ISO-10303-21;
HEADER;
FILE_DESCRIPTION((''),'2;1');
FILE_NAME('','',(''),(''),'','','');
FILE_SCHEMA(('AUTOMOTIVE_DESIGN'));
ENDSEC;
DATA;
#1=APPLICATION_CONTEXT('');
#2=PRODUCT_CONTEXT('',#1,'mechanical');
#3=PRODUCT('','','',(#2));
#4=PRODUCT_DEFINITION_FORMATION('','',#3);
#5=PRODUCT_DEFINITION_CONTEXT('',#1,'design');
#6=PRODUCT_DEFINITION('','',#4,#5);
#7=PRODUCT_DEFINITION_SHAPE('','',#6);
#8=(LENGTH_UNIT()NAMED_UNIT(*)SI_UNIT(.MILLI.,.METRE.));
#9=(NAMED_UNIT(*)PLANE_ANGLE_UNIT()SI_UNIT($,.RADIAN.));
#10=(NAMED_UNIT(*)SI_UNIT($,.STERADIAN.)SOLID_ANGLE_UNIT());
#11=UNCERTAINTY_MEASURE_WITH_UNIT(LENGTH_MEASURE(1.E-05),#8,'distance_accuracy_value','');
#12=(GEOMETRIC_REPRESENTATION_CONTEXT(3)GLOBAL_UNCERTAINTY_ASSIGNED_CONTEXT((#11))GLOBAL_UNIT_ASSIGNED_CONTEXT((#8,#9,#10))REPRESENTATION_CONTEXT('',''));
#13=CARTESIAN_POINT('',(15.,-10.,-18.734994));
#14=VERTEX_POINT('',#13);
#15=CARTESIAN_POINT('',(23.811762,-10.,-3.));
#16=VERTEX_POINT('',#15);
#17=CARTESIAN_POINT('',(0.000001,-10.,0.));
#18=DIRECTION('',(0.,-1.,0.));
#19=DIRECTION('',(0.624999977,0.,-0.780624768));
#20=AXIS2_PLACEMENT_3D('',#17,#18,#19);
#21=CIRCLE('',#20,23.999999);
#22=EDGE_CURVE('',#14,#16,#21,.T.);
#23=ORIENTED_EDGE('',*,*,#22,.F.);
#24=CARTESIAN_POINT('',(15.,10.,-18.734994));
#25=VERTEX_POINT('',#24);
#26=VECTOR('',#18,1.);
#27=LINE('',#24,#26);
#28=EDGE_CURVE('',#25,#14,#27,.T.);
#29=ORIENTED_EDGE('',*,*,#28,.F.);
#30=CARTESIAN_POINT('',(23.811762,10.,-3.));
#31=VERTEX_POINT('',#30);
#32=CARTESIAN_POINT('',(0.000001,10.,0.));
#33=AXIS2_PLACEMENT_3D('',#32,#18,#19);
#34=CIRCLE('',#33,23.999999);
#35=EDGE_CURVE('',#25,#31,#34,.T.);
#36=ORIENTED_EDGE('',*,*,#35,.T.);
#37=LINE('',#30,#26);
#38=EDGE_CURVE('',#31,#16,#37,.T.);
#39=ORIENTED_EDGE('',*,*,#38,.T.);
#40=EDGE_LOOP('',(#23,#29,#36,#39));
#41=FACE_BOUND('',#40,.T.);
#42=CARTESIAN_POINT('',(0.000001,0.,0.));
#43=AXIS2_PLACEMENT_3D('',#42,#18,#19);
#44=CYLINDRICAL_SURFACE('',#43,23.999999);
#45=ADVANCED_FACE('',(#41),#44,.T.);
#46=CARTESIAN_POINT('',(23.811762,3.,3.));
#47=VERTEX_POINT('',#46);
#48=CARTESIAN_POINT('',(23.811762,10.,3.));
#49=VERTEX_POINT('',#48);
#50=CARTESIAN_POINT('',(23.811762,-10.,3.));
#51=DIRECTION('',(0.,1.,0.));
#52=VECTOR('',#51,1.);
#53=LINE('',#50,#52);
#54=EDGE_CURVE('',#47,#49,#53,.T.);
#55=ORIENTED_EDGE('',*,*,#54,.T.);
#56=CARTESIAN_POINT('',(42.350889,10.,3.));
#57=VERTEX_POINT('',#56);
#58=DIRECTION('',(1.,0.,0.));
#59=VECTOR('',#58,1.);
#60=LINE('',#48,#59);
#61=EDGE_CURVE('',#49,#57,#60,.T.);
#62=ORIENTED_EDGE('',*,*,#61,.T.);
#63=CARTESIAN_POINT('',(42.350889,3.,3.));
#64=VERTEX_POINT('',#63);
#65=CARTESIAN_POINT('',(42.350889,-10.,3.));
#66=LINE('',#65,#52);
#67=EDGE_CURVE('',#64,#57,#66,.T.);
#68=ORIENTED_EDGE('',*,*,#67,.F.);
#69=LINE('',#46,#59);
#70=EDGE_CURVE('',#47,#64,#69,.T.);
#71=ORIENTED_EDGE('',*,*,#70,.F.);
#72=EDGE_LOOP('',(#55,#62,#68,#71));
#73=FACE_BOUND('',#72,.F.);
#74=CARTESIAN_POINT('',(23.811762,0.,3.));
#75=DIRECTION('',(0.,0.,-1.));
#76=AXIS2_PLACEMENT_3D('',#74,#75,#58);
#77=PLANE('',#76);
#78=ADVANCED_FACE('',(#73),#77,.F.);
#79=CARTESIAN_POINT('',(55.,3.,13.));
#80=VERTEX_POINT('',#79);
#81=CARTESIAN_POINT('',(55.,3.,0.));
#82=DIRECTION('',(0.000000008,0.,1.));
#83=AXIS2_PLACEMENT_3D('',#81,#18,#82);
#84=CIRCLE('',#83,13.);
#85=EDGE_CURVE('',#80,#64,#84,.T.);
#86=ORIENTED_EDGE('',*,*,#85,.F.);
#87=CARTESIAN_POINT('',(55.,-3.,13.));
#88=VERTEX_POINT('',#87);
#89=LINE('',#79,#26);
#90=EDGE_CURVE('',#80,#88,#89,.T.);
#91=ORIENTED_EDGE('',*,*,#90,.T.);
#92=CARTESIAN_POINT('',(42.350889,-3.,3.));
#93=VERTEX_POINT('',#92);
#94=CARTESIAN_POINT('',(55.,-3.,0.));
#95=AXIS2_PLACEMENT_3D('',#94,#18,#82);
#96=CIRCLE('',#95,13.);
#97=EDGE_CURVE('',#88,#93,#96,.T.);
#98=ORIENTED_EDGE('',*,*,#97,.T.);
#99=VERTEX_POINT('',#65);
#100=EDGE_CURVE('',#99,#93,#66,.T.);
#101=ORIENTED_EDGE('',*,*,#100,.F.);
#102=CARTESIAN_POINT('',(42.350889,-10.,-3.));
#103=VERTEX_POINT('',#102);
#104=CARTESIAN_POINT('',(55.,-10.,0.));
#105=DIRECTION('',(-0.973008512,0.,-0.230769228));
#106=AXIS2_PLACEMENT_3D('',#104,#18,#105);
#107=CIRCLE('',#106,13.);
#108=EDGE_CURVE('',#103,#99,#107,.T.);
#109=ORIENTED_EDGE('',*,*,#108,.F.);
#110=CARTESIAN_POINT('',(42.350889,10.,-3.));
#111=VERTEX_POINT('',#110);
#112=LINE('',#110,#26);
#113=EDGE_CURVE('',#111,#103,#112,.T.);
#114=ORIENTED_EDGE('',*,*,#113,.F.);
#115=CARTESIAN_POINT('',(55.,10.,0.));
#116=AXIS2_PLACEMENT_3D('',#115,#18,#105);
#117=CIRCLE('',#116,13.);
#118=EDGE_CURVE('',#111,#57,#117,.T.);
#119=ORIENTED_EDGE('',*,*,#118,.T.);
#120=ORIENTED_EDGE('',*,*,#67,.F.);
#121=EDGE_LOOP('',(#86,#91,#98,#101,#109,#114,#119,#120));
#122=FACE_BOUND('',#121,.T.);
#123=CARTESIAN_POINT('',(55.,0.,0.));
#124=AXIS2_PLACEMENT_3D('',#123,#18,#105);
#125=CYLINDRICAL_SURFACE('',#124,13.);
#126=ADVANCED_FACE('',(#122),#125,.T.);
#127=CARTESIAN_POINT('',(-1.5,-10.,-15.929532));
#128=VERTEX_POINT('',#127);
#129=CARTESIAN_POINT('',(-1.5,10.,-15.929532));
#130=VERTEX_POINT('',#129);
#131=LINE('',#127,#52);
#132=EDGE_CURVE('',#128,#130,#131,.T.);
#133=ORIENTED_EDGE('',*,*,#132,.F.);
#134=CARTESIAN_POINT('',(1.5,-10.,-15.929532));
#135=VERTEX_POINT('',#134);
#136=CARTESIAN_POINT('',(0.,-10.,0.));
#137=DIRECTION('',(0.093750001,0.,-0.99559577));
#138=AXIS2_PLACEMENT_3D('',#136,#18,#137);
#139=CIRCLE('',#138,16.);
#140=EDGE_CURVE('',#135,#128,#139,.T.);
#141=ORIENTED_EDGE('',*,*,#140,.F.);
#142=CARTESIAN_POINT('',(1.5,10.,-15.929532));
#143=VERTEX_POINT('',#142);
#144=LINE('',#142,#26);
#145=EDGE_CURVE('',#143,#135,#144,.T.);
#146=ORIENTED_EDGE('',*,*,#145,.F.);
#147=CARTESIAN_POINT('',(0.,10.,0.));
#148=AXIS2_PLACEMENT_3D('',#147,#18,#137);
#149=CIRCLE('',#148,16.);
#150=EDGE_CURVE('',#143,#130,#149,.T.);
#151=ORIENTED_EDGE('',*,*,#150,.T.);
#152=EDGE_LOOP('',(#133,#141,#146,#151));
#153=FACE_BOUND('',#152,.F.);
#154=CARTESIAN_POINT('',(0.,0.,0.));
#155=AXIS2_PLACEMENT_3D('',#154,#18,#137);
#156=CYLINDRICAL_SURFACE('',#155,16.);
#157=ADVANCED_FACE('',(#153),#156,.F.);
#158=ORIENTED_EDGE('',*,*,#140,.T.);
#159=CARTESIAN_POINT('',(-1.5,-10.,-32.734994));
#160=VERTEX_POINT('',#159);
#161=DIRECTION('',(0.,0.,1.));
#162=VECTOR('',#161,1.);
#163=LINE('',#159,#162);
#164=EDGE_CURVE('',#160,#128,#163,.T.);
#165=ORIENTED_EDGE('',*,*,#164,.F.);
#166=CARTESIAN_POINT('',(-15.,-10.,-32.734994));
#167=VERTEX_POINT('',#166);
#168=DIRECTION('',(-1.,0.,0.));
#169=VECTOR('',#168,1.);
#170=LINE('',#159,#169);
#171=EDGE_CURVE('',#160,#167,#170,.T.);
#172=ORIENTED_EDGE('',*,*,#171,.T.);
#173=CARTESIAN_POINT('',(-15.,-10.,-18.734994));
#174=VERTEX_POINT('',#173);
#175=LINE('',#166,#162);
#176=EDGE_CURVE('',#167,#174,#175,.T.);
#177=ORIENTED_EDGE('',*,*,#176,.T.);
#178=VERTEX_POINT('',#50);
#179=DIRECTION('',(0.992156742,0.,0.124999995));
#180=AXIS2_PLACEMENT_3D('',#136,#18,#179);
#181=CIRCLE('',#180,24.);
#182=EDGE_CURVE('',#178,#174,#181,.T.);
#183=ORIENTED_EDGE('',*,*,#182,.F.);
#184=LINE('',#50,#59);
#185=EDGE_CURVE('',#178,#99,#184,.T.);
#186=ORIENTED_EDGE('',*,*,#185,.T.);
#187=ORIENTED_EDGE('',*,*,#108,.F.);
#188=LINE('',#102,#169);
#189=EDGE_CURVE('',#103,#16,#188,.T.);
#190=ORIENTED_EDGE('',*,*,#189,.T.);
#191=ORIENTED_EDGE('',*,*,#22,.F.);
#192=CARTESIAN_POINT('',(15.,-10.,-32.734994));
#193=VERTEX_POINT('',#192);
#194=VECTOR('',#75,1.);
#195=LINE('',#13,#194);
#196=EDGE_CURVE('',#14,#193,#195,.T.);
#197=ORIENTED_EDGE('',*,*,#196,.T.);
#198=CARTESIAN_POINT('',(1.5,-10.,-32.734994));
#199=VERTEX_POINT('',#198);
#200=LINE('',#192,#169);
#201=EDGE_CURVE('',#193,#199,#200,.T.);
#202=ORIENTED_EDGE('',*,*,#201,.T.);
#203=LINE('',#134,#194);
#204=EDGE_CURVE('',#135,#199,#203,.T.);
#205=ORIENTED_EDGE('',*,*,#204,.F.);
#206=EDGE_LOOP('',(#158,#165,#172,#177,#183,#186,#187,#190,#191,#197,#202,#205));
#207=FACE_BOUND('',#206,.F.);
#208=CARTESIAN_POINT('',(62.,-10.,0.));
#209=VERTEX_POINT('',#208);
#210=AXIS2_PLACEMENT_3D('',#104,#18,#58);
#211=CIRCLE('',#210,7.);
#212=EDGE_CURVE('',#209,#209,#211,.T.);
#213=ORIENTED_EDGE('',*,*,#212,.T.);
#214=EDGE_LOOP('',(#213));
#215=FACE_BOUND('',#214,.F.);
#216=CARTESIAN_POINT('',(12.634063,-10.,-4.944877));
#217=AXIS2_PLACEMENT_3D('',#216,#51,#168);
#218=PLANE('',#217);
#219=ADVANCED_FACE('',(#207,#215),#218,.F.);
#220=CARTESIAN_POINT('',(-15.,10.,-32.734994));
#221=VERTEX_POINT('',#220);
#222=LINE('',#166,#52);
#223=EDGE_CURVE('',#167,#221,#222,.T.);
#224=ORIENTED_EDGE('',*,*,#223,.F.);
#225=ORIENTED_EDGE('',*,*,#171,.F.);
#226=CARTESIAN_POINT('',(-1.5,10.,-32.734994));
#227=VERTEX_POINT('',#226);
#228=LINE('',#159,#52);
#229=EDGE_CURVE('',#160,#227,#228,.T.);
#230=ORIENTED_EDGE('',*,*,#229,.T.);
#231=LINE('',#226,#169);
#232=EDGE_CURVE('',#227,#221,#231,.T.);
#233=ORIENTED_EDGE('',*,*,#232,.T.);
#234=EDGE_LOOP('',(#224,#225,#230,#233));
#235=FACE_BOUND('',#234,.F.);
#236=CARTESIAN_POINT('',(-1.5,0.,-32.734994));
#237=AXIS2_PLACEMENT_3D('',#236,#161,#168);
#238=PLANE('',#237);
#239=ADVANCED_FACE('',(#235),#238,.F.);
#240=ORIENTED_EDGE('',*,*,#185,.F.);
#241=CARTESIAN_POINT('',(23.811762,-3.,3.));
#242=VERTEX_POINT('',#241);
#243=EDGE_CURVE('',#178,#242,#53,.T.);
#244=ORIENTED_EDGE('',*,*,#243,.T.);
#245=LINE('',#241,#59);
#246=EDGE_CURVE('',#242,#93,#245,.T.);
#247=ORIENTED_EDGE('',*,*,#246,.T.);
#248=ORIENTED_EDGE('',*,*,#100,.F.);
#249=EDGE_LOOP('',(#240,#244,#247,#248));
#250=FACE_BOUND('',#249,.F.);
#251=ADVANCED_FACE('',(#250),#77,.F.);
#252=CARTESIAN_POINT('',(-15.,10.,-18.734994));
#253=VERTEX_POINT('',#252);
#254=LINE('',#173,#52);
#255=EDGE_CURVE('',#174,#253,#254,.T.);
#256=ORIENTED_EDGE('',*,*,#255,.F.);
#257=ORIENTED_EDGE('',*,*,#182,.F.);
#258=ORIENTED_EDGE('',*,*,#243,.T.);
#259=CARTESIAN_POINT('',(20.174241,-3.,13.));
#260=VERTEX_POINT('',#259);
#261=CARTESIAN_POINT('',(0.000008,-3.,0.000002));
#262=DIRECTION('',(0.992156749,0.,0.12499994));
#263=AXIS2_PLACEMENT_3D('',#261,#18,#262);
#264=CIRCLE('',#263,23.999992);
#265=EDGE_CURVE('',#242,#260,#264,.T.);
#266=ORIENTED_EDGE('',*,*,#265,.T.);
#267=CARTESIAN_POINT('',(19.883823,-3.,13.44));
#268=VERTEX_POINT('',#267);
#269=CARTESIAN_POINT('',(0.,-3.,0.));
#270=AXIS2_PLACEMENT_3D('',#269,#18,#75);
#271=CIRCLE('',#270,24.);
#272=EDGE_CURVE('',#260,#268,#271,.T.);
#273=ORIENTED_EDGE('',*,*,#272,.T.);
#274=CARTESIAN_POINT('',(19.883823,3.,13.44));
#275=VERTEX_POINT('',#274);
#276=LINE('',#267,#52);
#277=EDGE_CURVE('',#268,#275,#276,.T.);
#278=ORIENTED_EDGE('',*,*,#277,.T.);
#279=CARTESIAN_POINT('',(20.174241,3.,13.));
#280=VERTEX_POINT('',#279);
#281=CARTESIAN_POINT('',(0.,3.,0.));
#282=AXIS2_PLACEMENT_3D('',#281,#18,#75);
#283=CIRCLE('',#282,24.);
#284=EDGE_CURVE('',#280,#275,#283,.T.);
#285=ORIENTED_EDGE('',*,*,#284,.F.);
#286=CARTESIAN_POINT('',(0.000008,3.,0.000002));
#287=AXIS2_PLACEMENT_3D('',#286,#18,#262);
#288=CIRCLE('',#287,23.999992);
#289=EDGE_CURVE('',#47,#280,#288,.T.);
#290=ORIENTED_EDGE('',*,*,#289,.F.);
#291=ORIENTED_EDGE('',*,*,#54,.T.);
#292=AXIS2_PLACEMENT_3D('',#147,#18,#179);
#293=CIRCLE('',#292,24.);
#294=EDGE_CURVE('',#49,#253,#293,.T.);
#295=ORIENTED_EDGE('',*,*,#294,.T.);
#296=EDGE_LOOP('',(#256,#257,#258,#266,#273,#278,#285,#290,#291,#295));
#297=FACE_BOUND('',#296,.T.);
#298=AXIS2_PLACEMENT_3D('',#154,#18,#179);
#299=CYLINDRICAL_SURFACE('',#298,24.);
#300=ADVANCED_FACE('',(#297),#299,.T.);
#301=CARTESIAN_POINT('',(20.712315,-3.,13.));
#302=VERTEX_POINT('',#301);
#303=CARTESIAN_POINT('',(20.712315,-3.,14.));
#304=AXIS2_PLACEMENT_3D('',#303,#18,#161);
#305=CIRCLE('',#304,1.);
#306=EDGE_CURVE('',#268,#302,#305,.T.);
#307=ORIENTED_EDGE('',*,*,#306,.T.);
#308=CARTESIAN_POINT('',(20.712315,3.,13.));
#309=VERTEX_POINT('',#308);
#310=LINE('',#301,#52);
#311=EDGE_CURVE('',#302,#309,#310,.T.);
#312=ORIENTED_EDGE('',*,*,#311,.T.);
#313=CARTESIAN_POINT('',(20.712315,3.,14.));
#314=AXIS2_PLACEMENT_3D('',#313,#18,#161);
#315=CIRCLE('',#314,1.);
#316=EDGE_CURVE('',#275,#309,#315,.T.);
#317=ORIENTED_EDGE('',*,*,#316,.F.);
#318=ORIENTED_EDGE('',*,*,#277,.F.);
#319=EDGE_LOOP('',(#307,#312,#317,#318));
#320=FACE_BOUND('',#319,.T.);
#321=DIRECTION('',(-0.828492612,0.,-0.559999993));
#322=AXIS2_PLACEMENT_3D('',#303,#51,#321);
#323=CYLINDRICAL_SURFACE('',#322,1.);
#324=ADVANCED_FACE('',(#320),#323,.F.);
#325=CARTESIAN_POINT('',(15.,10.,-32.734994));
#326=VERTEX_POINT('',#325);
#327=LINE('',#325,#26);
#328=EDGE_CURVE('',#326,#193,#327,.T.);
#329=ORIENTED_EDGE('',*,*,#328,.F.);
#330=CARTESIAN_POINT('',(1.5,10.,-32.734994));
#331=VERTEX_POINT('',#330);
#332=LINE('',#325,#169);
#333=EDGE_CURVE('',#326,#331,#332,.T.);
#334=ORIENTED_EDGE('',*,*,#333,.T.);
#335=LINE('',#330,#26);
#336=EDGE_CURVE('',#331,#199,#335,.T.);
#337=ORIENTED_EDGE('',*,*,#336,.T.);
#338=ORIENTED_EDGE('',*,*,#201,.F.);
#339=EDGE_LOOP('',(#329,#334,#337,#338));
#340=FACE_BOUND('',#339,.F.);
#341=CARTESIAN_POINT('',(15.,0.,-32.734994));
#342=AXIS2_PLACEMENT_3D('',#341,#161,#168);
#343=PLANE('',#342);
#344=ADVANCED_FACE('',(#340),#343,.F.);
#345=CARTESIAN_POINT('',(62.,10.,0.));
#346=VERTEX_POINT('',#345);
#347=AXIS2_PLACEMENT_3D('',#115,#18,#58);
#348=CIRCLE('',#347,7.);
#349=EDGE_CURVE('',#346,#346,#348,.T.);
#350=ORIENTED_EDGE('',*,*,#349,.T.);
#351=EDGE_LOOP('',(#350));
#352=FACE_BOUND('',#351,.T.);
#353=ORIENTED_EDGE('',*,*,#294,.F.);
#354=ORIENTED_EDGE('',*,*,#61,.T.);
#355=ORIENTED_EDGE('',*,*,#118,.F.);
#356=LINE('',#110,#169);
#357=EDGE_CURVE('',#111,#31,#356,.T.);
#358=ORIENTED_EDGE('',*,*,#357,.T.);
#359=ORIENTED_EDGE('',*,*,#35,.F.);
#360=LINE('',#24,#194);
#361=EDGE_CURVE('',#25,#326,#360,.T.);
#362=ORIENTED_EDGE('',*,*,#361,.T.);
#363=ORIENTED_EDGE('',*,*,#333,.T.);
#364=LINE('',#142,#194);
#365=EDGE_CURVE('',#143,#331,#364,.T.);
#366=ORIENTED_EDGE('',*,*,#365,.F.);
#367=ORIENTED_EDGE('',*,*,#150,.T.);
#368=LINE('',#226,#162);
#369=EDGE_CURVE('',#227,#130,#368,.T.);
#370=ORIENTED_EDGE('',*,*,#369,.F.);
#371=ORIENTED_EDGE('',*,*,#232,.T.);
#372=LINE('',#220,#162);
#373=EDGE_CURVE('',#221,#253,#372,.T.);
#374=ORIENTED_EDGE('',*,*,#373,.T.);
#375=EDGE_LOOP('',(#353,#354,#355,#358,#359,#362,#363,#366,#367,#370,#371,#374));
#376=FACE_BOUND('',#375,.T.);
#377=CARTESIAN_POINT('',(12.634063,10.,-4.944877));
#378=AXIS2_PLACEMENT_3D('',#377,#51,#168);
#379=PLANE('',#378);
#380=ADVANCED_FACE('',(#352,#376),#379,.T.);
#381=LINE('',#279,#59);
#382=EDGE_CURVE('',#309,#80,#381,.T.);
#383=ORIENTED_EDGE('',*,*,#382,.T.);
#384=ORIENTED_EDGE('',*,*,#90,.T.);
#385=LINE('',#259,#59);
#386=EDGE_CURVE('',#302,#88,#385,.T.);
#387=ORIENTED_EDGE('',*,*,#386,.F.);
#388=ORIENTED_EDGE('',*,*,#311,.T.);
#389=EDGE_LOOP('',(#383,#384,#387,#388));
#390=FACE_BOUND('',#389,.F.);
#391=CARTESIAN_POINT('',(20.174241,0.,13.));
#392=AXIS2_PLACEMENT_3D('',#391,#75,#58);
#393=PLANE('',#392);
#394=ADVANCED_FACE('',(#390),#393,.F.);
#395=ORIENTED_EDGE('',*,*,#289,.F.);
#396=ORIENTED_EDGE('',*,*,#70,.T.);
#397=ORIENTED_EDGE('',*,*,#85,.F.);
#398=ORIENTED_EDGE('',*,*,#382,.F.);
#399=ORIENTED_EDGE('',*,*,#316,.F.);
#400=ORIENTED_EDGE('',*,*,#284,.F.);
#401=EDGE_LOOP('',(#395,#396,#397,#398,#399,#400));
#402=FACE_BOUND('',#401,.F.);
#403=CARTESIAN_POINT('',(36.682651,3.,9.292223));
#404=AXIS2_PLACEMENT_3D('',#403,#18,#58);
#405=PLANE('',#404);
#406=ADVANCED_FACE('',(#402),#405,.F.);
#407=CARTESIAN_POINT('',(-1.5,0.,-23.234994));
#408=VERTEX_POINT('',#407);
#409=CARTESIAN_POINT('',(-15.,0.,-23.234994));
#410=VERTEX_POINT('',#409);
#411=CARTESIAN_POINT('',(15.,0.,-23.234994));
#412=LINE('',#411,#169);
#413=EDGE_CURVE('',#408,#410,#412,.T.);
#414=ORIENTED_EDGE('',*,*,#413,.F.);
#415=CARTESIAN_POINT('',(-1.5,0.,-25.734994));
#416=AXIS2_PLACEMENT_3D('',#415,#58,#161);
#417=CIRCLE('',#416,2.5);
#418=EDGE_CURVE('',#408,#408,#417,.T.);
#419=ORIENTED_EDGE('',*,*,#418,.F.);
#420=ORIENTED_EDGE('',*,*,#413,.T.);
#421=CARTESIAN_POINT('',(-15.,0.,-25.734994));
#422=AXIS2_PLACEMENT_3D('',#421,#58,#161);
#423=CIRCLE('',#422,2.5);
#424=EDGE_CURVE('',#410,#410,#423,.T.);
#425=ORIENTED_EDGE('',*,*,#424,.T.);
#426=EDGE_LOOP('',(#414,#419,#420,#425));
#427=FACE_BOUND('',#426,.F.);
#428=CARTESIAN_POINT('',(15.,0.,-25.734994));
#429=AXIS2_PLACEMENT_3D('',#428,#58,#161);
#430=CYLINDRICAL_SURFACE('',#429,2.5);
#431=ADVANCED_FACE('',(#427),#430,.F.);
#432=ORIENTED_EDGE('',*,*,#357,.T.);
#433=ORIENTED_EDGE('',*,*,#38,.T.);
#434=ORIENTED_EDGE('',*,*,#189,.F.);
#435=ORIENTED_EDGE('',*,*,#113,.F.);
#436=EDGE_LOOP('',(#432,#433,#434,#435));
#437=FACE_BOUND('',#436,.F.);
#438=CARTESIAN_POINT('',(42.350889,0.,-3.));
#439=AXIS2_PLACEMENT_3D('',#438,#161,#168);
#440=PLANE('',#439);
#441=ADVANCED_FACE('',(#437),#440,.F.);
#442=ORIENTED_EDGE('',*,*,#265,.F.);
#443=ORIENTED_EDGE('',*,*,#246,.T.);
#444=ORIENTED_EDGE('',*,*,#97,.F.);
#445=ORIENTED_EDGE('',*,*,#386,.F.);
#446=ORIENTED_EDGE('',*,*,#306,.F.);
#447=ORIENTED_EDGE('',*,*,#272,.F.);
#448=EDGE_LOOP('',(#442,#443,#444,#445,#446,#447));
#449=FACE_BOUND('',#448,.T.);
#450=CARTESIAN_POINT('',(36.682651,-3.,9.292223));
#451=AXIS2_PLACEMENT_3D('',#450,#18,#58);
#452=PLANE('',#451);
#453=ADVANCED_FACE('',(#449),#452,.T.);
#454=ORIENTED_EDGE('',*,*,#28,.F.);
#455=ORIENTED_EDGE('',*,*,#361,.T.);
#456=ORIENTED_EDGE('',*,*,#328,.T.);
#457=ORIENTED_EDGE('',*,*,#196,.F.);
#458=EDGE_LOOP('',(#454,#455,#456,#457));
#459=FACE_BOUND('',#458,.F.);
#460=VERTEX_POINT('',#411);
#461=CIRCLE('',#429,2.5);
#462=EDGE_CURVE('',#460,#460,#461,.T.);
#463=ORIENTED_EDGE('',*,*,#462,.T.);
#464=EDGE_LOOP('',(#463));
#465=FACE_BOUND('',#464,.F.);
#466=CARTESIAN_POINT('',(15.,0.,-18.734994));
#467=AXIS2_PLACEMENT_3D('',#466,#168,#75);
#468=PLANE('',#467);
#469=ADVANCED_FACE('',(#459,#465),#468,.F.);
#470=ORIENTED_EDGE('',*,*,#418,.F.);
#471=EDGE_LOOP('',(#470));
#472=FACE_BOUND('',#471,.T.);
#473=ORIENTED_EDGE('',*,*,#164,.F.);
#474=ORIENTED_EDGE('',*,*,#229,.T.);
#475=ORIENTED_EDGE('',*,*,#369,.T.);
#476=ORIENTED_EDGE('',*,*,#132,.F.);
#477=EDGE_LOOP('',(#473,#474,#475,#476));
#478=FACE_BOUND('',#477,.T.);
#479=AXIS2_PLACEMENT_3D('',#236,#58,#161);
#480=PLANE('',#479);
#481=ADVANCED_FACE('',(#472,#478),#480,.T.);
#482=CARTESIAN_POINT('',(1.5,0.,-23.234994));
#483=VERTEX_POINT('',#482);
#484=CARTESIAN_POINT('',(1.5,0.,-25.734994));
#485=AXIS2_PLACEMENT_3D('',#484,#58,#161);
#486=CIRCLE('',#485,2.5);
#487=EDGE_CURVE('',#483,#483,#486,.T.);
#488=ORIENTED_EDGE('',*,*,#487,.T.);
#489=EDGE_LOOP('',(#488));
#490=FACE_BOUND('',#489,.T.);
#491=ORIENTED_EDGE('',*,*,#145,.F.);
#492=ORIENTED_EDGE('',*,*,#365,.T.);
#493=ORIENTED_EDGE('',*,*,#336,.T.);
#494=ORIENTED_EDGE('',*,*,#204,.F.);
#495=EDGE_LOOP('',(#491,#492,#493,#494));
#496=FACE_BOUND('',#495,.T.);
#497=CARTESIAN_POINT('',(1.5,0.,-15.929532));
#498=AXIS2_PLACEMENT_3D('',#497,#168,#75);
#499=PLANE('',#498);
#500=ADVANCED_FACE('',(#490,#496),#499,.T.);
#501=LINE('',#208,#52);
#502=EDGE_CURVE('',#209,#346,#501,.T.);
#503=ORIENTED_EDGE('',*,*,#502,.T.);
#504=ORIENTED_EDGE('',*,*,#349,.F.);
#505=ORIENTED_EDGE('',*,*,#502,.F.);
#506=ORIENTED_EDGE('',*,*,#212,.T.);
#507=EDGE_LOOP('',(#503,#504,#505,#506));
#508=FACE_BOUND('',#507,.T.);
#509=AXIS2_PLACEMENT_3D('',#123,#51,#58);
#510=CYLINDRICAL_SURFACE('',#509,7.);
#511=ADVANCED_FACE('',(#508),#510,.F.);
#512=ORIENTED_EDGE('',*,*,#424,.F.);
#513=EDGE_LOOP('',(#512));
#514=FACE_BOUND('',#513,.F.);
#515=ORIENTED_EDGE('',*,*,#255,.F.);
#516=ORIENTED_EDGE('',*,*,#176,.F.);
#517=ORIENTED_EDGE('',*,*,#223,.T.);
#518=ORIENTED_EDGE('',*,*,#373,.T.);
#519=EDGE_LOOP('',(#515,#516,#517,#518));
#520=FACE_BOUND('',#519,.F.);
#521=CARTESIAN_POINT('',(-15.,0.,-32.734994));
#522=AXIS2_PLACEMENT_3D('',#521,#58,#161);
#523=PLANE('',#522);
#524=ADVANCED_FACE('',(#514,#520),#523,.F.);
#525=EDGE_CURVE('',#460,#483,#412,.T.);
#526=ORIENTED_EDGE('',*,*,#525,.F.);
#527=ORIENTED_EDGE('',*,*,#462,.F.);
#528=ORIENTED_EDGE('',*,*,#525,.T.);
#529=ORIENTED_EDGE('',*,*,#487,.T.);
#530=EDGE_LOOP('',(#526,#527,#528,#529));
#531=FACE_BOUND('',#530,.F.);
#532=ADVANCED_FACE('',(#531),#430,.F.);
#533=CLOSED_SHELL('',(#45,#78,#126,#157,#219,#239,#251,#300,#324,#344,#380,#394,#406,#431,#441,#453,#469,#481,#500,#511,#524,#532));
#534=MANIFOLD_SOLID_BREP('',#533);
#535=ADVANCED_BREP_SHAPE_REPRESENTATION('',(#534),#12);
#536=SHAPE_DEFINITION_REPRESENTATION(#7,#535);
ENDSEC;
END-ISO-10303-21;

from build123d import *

# Parameters (mm, degrees)
SKETCH_R     = 7
PAD_DEPTH    = 10
SKETCH001_R  = 2.5
POCKET_DEPTH = 39.001
PAD001_DEPTH = 3
FILLET_R     = 1


with BuildPart() as pocket:
    # Sketch → Pad (new body, symmetric)
    with BuildSketch(Plane.XZ):
        with BuildLine():
            ThreePointArc((1.5, -15.929532), (0, 16), (-1.5, -15.929532))
            Line((-1.5, -32.734994), (-1.5, -15.929532))
            Line((-1.5, -32.734994), (-15, -32.734994))
            Line((-15, -32.734994), (-15, -18.734994))
            ThreePointArc((23.811762, 3), (-11.726648, 20.940051), (-15, -18.734994))
            Line((23.811762, 3), (42.350889, 3))
            ThreePointArc((42.350889, -3), (68, 0), (42.350889, 3))
            Line((42.350889, -3), (23.811762, -3))
            ThreePointArc((15, -18.734994), (20.940051, -11.726648), (23.811762, -3))
            Line((15, -18.734994), (15, -32.734994))
            Line((15, -32.734994), (1.5, -32.734994))
            Line((1.5, -15.929532), (1.5, -32.734994))
        make_face()
        with Locations((55, 0)):
            Circle(SKETCH_R, mode=Mode.SUBTRACT)
    extrude(amount=PAD_DEPTH, both=True)

    # Sketch001 → Pocket (cut, through all)
    with BuildSketch(Plane(origin=(15, 0, 0), x_dir=(0, 0, 1), z_dir=(1, 0, 0))):
        with Locations((-25.734994, 0)):
            Circle(SKETCH001_R)
    extrude(amount=-POCKET_DEPTH, mode=Mode.SUBTRACT)


with BuildPart() as fillet_body:
    # Sketch002 → Pad001 (new body, symmetric)
    with BuildSketch(Plane.XZ):
        with BuildLine():
            Line((23.811762, 3), (42.350889, 3))
            ThreePointArc((55, 13), (46.937742, 10.198039), (42.350889, 3))
            Line((20.174241, 13), (55, 13))
            ThreePointArc((23.811762, 3), (22.554204, 8.204139), (20.174241, 13))
        make_face()
    extrude(amount=PAD001_DEPTH, both=True)

    # Fusion: union Pocket
    add(pocket.part)

    # Fillet
    fillet_edges = [fillet_body.edges().sort_by_distance(p)[0] for p in [
        (20.174241, 0, 13),
    ]]
    fillet(fillet_edges, radius=FILLET_R)


solid = fillet_body.part
